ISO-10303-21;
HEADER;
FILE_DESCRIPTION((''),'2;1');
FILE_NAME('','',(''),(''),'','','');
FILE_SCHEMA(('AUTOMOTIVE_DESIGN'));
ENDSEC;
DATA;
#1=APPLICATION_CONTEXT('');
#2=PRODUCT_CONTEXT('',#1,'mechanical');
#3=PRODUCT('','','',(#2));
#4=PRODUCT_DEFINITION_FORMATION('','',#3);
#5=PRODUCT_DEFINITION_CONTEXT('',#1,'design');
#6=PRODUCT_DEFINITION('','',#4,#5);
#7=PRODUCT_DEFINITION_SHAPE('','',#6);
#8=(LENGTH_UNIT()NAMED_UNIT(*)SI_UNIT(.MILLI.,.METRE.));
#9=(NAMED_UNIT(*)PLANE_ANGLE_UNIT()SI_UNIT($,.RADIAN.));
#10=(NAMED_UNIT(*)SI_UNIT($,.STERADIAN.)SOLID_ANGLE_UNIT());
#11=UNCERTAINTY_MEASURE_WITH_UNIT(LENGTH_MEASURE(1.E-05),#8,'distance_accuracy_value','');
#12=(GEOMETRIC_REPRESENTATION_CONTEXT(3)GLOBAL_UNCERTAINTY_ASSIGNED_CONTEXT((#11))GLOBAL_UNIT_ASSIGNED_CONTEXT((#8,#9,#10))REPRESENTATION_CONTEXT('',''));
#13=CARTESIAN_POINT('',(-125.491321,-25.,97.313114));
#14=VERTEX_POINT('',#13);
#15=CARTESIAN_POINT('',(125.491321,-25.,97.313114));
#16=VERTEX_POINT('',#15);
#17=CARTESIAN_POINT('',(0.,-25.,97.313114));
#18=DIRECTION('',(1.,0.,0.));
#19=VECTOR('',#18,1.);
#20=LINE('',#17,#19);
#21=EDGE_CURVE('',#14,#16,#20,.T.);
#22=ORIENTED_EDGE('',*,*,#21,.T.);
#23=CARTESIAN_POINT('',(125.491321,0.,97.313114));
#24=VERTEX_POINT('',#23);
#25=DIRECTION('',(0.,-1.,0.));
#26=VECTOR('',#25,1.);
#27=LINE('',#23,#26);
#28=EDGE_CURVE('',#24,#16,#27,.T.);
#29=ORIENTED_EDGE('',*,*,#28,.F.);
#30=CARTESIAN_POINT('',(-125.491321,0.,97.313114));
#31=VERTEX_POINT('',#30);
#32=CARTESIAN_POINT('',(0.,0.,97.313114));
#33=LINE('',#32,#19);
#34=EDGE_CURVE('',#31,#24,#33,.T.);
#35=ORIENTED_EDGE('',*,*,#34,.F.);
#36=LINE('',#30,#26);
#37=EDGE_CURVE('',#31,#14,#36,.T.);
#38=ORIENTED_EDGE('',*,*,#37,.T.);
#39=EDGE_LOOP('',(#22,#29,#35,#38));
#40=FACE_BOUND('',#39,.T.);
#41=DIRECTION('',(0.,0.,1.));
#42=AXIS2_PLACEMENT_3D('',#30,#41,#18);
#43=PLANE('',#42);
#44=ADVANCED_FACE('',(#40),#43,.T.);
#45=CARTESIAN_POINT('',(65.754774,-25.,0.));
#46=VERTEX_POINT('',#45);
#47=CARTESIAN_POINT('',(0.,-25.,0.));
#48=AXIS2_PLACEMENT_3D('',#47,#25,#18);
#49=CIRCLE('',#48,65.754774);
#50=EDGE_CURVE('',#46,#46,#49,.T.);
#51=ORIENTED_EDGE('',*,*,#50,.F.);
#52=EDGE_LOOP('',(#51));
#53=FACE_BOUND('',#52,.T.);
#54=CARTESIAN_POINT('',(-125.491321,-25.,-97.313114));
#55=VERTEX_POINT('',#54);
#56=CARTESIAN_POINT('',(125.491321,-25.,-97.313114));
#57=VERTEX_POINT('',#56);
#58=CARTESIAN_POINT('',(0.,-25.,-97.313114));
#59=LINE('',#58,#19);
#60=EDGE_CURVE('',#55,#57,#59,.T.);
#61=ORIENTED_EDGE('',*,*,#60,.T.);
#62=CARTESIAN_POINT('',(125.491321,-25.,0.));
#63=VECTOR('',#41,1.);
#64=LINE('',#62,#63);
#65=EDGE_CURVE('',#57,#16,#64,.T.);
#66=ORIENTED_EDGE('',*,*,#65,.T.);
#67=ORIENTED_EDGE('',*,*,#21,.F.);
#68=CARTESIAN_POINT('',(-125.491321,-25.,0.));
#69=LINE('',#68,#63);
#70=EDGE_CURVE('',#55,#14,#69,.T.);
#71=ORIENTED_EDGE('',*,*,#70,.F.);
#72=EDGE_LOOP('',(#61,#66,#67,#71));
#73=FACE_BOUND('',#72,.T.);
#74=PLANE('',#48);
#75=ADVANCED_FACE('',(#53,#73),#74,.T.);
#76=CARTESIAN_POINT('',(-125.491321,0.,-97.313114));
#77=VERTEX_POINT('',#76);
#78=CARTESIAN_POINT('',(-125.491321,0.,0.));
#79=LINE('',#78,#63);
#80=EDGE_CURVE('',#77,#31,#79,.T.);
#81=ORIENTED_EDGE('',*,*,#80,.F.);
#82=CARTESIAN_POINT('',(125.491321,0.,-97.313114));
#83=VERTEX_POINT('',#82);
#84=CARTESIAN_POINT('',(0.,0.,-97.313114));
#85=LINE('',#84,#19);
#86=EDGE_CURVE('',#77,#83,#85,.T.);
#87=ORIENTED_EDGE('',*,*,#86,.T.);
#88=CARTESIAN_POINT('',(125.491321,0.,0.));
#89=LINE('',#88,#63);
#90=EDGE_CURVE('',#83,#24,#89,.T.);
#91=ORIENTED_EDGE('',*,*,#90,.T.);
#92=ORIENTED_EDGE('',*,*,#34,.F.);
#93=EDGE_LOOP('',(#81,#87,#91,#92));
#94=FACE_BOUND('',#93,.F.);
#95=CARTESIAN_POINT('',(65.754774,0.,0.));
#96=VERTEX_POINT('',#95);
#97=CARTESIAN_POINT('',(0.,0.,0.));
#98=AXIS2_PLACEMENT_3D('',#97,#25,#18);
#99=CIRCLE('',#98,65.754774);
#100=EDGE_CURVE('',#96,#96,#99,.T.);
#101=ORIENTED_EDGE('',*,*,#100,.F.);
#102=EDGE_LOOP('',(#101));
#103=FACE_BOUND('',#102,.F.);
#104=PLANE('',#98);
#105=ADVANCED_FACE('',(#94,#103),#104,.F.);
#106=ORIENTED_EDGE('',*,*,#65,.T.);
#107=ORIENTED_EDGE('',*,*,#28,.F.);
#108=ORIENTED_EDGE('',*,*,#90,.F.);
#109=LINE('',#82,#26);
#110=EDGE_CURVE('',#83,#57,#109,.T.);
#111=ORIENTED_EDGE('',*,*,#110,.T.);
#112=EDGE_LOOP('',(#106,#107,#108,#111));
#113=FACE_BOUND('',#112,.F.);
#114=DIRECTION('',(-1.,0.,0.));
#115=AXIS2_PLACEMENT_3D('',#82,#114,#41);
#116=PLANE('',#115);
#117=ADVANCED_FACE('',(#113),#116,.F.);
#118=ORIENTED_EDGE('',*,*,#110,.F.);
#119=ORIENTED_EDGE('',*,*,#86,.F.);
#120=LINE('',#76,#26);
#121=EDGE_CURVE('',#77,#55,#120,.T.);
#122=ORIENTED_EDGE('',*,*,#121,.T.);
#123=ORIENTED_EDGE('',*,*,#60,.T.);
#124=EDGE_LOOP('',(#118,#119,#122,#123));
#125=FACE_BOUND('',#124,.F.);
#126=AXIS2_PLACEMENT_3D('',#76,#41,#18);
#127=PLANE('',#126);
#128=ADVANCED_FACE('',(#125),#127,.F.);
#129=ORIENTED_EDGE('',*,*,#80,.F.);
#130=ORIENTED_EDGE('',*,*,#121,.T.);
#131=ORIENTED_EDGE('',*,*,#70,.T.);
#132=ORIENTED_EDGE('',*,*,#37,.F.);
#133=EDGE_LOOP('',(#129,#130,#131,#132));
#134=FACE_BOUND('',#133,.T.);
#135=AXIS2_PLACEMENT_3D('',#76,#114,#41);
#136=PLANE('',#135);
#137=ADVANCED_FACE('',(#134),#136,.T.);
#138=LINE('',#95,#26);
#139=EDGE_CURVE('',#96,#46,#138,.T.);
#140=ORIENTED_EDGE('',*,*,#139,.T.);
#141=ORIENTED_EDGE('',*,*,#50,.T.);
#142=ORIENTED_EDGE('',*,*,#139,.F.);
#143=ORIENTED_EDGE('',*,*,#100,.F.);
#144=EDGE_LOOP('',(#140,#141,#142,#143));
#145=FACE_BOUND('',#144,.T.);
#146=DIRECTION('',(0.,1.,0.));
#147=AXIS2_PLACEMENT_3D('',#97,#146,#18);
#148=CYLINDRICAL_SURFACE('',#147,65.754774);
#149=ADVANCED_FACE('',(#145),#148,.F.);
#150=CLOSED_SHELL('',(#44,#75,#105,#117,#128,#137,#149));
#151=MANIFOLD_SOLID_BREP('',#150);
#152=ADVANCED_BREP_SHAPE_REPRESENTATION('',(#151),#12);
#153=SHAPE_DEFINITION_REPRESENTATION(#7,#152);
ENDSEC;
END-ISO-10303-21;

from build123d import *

# Parameters (mm, degrees)
F0_W      = 250.982642
F0_H      = 194.626228
F0_R      = 65.754774
F1_DEPTH  = 25
F1_FACE_W = 250.982642
F1_FACE_H = 194.626228
F1_FACE_R = 65.754774
F2_DEPTH  = 25


with BuildPart() as f1:
    # F0 (on Front) → F1 (new body)
    with BuildSketch(Plane.XZ):
        Rectangle(F0_W, F0_H)
        Circle(F0_R, mode=Mode.SUBTRACT)
    extrude(amount=F1_DEPTH)

    # F1_face (on face) → F2 (join)
    with BuildSketch(Plane(origin=(0, 0, 0), x_dir=(1, 0, 0), z_dir=(0, 1, 0))):
        Rectangle(F1_FACE_W, F1_FACE_H)
        Circle(F1_FACE_R, mode=Mode.SUBTRACT)
    extrude(amount=-F2_DEPTH)


solid = f1.part
